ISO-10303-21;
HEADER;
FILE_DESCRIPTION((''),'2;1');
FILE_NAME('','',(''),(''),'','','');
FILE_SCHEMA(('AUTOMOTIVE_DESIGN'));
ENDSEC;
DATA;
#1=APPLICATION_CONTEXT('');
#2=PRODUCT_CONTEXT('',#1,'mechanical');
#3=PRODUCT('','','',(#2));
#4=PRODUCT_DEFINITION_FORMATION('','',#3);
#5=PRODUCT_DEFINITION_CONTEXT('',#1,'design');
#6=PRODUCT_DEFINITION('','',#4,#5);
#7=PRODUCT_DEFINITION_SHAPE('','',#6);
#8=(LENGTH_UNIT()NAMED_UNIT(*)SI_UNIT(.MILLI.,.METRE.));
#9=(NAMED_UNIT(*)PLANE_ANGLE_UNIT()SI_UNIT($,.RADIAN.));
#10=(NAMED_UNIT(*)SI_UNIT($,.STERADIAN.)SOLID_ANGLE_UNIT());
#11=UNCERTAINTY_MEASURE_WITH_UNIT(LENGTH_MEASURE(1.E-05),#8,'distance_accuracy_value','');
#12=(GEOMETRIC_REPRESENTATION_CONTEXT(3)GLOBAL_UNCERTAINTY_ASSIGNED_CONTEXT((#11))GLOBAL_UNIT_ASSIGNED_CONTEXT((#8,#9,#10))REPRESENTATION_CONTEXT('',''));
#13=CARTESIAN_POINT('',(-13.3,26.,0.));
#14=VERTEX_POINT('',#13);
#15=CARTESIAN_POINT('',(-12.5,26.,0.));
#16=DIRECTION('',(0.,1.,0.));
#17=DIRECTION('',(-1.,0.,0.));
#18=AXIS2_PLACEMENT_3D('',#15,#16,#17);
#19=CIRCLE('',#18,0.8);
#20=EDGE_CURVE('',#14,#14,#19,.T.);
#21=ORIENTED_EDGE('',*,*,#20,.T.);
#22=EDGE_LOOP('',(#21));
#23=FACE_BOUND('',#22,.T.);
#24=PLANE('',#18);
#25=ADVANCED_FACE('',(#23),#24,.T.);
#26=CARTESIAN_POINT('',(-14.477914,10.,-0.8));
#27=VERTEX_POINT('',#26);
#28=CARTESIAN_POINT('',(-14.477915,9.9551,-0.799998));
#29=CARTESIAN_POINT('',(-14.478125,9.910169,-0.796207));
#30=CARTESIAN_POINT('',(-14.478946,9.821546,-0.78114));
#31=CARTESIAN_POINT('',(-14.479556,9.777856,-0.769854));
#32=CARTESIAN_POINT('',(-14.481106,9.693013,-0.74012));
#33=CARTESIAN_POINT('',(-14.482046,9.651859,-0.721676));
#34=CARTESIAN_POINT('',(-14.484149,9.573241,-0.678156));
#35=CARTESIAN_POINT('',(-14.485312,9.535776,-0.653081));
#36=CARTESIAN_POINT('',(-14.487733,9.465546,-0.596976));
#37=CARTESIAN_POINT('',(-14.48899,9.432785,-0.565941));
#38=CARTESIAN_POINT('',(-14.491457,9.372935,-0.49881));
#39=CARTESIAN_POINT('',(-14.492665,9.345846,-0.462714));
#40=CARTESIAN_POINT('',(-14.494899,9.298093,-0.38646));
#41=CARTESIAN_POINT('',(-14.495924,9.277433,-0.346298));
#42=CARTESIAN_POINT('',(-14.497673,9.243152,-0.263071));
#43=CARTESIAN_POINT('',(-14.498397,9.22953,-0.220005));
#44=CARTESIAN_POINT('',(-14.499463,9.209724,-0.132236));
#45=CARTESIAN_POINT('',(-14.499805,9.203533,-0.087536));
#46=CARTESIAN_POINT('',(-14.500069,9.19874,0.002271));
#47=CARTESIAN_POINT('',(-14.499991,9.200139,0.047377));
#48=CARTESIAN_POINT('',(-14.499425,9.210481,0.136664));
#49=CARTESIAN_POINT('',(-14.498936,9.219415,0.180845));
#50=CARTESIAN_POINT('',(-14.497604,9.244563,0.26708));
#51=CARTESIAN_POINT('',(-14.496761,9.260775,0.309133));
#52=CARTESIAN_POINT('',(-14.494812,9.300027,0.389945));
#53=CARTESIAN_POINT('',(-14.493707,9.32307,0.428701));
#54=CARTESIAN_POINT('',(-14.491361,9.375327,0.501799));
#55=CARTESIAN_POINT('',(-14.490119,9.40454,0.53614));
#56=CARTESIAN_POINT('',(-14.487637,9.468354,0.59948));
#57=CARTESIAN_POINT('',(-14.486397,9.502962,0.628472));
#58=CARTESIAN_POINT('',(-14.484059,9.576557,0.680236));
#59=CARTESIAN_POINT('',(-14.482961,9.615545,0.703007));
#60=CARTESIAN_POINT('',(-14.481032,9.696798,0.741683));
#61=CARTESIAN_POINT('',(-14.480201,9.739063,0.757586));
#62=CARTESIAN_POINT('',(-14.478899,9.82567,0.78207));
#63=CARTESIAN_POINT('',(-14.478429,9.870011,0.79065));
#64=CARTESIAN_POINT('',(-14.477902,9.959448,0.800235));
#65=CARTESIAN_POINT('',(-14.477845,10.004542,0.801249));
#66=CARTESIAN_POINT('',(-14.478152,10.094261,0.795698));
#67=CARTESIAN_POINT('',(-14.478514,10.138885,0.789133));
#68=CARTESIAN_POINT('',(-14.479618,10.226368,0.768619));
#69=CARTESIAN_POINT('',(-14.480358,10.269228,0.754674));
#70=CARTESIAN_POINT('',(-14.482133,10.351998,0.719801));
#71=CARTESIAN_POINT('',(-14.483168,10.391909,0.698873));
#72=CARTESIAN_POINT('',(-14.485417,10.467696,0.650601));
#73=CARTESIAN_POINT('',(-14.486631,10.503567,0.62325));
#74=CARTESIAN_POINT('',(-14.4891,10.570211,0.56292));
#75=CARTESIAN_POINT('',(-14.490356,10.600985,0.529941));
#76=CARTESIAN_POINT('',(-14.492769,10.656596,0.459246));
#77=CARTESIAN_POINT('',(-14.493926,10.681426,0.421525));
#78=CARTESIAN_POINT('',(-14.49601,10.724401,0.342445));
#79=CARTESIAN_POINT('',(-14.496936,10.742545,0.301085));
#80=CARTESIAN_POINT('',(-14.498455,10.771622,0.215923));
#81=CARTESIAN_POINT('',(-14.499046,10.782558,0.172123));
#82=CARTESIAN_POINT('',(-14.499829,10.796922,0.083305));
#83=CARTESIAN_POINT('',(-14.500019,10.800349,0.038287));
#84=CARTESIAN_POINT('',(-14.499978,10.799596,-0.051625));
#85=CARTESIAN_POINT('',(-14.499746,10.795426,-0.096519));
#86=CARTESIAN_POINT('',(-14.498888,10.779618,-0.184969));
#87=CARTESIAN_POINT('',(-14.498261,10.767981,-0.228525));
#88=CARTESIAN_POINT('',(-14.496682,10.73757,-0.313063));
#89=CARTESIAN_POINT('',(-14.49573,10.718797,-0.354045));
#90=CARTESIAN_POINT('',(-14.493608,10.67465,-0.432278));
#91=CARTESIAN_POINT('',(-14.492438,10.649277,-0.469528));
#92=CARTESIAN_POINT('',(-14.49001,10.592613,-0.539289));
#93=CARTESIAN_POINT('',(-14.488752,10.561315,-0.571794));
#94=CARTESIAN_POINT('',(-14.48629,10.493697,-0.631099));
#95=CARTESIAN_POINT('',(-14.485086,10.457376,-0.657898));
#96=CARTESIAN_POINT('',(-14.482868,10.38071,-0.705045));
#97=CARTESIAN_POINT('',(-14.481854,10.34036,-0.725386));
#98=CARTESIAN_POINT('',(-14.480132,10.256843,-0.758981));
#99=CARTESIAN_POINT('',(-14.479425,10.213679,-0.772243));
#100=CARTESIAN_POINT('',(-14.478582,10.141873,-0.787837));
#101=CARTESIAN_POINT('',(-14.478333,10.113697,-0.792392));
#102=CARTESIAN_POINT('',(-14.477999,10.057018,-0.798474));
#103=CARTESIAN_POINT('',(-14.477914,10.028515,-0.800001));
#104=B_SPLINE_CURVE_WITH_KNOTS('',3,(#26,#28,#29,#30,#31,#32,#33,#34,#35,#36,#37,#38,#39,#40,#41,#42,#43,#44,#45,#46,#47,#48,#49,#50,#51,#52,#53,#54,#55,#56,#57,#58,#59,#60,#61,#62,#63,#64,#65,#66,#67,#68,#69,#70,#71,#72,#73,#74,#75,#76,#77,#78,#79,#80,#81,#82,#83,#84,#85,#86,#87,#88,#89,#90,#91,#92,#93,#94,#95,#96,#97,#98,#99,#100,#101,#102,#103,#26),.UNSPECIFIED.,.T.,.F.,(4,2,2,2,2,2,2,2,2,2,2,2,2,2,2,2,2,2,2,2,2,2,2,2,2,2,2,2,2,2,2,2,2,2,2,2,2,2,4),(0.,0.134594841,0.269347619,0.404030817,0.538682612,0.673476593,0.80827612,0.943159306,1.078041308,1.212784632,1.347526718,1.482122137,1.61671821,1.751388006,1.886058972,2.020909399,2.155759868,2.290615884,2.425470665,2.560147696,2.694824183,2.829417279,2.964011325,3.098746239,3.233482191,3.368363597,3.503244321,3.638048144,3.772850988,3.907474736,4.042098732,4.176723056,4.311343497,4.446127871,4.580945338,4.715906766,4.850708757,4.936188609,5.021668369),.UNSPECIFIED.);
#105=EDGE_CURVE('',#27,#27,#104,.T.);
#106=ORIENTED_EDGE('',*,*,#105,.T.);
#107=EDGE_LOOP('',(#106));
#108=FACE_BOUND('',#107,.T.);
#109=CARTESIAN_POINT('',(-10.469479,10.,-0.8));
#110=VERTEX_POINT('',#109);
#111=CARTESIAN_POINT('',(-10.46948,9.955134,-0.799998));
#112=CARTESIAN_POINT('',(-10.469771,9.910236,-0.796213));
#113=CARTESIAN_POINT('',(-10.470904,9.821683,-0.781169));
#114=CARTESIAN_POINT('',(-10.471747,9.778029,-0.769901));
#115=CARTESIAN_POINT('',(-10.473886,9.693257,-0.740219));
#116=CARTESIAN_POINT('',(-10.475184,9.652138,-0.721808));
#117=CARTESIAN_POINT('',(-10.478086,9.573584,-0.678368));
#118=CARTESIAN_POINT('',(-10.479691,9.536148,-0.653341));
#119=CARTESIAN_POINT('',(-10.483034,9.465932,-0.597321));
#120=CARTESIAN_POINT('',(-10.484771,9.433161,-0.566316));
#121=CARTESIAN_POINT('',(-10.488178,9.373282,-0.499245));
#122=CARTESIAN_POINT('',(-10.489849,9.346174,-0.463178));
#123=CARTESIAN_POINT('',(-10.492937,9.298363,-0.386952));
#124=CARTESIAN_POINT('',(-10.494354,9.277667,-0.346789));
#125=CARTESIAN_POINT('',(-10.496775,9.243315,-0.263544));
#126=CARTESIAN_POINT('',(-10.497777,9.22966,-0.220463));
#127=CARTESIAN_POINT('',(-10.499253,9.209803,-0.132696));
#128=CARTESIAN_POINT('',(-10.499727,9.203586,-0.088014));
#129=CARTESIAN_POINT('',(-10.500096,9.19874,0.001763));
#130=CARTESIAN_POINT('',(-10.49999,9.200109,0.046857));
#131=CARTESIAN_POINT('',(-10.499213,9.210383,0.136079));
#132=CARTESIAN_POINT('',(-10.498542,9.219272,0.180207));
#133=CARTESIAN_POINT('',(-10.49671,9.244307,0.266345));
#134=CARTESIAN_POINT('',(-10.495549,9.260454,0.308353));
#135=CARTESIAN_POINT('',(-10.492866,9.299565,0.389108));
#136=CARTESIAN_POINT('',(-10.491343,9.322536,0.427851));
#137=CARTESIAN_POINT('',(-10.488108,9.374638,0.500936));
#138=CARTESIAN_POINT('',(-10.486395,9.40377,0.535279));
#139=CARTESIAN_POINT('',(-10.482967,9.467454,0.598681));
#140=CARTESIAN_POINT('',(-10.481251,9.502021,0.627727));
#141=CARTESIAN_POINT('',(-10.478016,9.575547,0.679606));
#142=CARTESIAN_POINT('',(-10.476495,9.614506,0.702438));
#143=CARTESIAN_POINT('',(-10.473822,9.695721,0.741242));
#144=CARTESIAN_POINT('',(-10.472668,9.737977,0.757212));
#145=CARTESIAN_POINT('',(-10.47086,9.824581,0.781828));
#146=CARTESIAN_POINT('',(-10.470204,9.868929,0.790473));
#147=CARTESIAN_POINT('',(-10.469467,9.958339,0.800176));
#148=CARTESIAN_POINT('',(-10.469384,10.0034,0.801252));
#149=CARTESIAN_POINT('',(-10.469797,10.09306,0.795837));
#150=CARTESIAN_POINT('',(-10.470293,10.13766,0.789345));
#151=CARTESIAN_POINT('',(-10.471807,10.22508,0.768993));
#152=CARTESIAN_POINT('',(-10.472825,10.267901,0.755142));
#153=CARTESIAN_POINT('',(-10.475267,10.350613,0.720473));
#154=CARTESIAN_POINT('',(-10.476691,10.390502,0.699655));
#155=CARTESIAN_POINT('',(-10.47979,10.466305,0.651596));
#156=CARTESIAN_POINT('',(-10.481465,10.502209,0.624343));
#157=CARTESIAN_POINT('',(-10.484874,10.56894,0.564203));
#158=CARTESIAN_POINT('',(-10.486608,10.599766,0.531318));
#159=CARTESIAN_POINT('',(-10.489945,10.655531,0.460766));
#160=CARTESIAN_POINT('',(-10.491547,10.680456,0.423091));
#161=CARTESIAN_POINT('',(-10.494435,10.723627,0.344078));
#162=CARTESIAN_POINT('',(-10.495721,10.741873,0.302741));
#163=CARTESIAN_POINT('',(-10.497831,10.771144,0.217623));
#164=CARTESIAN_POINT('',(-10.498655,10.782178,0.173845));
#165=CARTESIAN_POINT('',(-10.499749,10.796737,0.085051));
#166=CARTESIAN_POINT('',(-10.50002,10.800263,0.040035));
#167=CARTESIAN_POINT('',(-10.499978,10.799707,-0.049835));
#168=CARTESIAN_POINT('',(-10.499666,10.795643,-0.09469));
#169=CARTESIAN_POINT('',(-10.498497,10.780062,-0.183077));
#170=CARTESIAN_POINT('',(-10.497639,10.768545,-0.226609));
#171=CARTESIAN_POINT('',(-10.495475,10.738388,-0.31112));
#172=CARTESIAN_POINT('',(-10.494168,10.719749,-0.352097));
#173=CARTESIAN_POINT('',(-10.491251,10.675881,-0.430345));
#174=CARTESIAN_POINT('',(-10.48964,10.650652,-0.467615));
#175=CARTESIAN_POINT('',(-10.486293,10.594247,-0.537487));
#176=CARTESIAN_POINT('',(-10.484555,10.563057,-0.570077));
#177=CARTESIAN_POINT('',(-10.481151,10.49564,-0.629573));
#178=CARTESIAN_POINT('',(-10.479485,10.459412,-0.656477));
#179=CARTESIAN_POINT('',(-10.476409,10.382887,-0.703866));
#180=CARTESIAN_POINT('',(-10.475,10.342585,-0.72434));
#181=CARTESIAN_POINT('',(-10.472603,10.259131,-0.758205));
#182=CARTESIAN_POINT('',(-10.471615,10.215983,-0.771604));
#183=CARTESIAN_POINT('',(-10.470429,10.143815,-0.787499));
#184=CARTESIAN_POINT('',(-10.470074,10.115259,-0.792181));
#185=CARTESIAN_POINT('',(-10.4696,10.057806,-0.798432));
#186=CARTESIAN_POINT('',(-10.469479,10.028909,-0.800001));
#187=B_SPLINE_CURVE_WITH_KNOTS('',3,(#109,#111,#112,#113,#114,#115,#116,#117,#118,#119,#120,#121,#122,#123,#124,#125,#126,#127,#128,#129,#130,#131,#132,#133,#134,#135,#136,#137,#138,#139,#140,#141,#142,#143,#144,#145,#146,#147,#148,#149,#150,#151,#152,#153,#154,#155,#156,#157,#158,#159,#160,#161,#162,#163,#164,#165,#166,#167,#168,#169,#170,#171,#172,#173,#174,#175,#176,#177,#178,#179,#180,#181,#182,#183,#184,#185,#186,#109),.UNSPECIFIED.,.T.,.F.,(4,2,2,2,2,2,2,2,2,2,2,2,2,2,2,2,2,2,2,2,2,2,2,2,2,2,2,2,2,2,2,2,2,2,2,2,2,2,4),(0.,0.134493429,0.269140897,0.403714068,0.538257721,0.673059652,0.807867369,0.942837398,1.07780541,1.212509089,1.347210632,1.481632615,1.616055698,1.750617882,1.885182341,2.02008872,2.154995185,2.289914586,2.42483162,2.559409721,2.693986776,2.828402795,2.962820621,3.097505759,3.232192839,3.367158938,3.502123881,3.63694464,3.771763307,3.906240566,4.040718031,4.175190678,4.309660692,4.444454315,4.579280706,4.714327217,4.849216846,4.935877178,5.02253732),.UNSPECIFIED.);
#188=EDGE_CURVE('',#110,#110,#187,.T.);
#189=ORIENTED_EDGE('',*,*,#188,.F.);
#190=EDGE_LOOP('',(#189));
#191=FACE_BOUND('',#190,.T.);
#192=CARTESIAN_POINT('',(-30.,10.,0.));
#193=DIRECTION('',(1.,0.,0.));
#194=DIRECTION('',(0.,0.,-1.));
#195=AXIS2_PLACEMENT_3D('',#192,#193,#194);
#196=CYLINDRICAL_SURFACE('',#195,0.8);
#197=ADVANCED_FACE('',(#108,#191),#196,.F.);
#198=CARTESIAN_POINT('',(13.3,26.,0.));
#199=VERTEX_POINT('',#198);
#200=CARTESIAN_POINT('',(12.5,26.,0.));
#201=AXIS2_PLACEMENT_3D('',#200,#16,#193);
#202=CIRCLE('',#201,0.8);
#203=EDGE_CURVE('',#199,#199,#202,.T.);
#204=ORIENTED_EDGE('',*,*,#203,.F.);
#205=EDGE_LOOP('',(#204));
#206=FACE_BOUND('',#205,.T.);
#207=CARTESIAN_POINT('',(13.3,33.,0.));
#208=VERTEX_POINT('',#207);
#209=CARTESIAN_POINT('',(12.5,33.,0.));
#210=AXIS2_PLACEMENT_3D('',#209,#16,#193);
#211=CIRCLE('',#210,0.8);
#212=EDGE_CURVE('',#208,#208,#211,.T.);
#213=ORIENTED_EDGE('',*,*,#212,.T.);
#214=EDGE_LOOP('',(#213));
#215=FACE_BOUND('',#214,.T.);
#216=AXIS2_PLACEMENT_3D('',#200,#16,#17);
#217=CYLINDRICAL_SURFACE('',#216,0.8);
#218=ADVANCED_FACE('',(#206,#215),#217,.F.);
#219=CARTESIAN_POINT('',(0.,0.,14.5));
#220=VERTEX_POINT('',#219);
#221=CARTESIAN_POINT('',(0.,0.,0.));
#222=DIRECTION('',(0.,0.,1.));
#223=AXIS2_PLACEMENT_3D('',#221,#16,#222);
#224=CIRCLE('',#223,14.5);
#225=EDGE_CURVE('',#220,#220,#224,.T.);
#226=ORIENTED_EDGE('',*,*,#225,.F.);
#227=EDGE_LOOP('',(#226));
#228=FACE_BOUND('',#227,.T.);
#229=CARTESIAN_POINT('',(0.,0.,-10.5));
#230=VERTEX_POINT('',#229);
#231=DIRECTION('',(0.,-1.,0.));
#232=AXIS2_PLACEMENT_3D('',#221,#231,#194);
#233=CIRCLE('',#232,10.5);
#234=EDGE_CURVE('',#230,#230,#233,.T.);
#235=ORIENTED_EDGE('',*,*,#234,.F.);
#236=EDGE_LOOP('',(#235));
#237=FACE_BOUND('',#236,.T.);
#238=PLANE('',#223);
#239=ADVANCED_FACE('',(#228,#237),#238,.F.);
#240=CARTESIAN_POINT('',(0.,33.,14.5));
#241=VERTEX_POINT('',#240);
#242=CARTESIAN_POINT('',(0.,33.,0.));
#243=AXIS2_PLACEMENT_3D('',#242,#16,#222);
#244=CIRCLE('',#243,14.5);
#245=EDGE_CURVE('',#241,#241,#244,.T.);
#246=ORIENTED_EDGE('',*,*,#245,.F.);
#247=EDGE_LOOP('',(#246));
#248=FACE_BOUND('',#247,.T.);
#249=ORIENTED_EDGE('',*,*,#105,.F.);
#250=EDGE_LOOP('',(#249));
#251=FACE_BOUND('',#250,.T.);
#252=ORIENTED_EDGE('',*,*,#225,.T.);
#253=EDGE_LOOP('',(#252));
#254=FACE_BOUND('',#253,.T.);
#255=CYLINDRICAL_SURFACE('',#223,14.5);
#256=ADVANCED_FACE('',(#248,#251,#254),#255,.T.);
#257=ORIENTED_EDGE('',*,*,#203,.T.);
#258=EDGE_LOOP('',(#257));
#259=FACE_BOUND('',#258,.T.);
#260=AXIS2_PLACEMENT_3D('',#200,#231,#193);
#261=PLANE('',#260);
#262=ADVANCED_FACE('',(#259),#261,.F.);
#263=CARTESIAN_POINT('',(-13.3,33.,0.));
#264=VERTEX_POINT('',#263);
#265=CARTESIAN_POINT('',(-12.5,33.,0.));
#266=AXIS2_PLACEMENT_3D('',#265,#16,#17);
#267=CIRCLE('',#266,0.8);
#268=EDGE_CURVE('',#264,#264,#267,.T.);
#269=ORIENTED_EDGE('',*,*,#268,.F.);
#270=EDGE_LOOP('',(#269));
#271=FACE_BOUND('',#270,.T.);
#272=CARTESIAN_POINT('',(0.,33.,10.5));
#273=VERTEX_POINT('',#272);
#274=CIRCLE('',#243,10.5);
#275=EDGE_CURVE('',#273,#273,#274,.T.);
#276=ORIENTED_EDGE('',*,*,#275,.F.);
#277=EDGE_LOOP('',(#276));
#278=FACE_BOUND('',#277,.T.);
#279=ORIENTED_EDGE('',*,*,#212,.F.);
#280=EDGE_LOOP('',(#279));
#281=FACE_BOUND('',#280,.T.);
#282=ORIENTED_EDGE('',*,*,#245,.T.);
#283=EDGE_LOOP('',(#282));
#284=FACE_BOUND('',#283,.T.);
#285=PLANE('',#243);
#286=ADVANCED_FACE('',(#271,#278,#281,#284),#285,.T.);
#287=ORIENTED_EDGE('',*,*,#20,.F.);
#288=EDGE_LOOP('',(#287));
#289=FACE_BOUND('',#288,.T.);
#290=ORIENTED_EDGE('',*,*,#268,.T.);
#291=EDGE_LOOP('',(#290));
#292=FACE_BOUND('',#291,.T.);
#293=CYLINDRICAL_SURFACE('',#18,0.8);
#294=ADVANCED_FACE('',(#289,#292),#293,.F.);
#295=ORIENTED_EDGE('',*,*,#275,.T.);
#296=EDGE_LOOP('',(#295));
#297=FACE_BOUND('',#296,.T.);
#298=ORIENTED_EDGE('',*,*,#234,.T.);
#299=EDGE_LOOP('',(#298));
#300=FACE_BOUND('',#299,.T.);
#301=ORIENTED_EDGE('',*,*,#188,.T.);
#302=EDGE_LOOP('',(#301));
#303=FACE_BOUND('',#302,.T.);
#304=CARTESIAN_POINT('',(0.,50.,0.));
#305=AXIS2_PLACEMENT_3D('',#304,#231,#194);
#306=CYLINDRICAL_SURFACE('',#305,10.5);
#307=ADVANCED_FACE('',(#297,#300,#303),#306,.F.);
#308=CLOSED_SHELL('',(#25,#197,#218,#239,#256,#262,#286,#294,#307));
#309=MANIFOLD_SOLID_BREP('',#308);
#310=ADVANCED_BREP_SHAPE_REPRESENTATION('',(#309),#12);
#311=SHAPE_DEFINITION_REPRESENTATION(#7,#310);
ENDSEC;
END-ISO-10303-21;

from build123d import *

# Parameters (mm, degrees)
SKETCH_1_R          = 13
SKETCH_1_R_2        = 9.172
EXTRUDE_1_DEPTH     = 25
SKETCH_7_R          = 10.172
CUT_EXTRUDE_2_DEPTH = 50
SKETCH_8_R          = 13
SKETCH_8_R_2        = 10.172
EXTRUDE_2_DEPTH     = 8
SKETCH_11_R         = 10.5
CUT_EXTRUDE_4_DEPTH = 50
EXTRUDE_START       = -33
SKETCH_13_R         = 14.5
SKETCH_13_R_2       = 13
EXTRUDE_3_DEPTH     = 33
SKETCH_4_R          = 0.8
CUT_EXTRUDE_1_DEPTH = 30
SKETCH_10_R         = 0.8
CUT_EXTRUDE_5_DEPTH = 7


with BuildPart() as part:
    # Эскиз1 → Бобышка-Вытянуть1 (new body)
    with BuildSketch(Plane(origin=(0, 0, 0), x_dir=(1, 0, 0), z_dir=(0, 1, 0))):
        with Locations(Location((0, 0, 0), (0, 0, 270))):
            Circle(SKETCH_1_R)
        with Locations(Location((0, 0, 0), (0, 0, 270))):
            Circle(SKETCH_1_R_2, mode=Mode.SUBTRACT)
    extrude(amount=EXTRUDE_1_DEPTH)

    # Эскиз7 → Вырез-Вытянуть2 (cut)
    with BuildSketch(Plane.XZ):
        with Locations(Location((0, 0, 0), (0, 0, 270))):
            Circle(SKETCH_7_R)
    extrude(amount=-CUT_EXTRUDE_2_DEPTH, mode=Mode.SUBTRACT)

    # Эскиз8 → Бобышка-Вытянуть2 (add)
    with BuildSketch(Plane(origin=(0, 25, 0), x_dir=(1, 0, 0), z_dir=(0, 1, 0))):
        with Locations(Location((0, 0, 0), (0, 0, 270))):
            Circle(SKETCH_8_R)
        with Locations(Location((0, 0, 0), (0, 0, 90))):
            Circle(SKETCH_8_R_2, mode=Mode.SUBTRACT)
    extrude(amount=EXTRUDE_2_DEPTH)

    # Эскиз11 → Вырез-Вытянуть4 (cut)
    with BuildSketch(Plane.XZ):
        with Locations(Location((0, 0, 0), (0, 0, 270))):
            Circle(SKETCH_11_R)
    extrude(amount=-CUT_EXTRUDE_4_DEPTH, mode=Mode.SUBTRACT)

    # Эскиз13 → Бобышка-Вытянуть3 (add)
    with BuildSketch(Plane(origin=(0, 33, 0), x_dir=(1, 0, 0), z_dir=(0, 1, 0)).offset(EXTRUDE_START)):
        with Locations(Location((0, 0, 0), (0, 0, 270))):
            Circle(SKETCH_13_R)
        Circle(SKETCH_13_R_2, mode=Mode.SUBTRACT)
    extrude(amount=EXTRUDE_3_DEPTH)

    # Эскиз4 → Вырез-Вытянуть1 (cut)
    with BuildSketch(Plane(origin=(0, 0, 0), x_dir=(0, 0, -1), z_dir=(1, 0, 0))):
        with Locations((0, 10)):
            Circle(SKETCH_4_R)
    extrude(amount=-CUT_EXTRUDE_1_DEPTH, mode=Mode.SUBTRACT)

    # Эскиз10 → Вырез-Вытянуть5 (cut)
    with BuildSketch(Plane(origin=(0, 33, 0), x_dir=(1, 0, 0), z_dir=(0, 1, 0))):
        with Locations(Location((-12.5, 0, 0), (0, 0, 180))):
            Circle(SKETCH_10_R)
        with Locations((12.5, 0)):
            Circle(SKETCH_10_R)
    extrude(amount=-CUT_EXTRUDE_5_DEPTH, mode=Mode.SUBTRACT)


solid = part.part
